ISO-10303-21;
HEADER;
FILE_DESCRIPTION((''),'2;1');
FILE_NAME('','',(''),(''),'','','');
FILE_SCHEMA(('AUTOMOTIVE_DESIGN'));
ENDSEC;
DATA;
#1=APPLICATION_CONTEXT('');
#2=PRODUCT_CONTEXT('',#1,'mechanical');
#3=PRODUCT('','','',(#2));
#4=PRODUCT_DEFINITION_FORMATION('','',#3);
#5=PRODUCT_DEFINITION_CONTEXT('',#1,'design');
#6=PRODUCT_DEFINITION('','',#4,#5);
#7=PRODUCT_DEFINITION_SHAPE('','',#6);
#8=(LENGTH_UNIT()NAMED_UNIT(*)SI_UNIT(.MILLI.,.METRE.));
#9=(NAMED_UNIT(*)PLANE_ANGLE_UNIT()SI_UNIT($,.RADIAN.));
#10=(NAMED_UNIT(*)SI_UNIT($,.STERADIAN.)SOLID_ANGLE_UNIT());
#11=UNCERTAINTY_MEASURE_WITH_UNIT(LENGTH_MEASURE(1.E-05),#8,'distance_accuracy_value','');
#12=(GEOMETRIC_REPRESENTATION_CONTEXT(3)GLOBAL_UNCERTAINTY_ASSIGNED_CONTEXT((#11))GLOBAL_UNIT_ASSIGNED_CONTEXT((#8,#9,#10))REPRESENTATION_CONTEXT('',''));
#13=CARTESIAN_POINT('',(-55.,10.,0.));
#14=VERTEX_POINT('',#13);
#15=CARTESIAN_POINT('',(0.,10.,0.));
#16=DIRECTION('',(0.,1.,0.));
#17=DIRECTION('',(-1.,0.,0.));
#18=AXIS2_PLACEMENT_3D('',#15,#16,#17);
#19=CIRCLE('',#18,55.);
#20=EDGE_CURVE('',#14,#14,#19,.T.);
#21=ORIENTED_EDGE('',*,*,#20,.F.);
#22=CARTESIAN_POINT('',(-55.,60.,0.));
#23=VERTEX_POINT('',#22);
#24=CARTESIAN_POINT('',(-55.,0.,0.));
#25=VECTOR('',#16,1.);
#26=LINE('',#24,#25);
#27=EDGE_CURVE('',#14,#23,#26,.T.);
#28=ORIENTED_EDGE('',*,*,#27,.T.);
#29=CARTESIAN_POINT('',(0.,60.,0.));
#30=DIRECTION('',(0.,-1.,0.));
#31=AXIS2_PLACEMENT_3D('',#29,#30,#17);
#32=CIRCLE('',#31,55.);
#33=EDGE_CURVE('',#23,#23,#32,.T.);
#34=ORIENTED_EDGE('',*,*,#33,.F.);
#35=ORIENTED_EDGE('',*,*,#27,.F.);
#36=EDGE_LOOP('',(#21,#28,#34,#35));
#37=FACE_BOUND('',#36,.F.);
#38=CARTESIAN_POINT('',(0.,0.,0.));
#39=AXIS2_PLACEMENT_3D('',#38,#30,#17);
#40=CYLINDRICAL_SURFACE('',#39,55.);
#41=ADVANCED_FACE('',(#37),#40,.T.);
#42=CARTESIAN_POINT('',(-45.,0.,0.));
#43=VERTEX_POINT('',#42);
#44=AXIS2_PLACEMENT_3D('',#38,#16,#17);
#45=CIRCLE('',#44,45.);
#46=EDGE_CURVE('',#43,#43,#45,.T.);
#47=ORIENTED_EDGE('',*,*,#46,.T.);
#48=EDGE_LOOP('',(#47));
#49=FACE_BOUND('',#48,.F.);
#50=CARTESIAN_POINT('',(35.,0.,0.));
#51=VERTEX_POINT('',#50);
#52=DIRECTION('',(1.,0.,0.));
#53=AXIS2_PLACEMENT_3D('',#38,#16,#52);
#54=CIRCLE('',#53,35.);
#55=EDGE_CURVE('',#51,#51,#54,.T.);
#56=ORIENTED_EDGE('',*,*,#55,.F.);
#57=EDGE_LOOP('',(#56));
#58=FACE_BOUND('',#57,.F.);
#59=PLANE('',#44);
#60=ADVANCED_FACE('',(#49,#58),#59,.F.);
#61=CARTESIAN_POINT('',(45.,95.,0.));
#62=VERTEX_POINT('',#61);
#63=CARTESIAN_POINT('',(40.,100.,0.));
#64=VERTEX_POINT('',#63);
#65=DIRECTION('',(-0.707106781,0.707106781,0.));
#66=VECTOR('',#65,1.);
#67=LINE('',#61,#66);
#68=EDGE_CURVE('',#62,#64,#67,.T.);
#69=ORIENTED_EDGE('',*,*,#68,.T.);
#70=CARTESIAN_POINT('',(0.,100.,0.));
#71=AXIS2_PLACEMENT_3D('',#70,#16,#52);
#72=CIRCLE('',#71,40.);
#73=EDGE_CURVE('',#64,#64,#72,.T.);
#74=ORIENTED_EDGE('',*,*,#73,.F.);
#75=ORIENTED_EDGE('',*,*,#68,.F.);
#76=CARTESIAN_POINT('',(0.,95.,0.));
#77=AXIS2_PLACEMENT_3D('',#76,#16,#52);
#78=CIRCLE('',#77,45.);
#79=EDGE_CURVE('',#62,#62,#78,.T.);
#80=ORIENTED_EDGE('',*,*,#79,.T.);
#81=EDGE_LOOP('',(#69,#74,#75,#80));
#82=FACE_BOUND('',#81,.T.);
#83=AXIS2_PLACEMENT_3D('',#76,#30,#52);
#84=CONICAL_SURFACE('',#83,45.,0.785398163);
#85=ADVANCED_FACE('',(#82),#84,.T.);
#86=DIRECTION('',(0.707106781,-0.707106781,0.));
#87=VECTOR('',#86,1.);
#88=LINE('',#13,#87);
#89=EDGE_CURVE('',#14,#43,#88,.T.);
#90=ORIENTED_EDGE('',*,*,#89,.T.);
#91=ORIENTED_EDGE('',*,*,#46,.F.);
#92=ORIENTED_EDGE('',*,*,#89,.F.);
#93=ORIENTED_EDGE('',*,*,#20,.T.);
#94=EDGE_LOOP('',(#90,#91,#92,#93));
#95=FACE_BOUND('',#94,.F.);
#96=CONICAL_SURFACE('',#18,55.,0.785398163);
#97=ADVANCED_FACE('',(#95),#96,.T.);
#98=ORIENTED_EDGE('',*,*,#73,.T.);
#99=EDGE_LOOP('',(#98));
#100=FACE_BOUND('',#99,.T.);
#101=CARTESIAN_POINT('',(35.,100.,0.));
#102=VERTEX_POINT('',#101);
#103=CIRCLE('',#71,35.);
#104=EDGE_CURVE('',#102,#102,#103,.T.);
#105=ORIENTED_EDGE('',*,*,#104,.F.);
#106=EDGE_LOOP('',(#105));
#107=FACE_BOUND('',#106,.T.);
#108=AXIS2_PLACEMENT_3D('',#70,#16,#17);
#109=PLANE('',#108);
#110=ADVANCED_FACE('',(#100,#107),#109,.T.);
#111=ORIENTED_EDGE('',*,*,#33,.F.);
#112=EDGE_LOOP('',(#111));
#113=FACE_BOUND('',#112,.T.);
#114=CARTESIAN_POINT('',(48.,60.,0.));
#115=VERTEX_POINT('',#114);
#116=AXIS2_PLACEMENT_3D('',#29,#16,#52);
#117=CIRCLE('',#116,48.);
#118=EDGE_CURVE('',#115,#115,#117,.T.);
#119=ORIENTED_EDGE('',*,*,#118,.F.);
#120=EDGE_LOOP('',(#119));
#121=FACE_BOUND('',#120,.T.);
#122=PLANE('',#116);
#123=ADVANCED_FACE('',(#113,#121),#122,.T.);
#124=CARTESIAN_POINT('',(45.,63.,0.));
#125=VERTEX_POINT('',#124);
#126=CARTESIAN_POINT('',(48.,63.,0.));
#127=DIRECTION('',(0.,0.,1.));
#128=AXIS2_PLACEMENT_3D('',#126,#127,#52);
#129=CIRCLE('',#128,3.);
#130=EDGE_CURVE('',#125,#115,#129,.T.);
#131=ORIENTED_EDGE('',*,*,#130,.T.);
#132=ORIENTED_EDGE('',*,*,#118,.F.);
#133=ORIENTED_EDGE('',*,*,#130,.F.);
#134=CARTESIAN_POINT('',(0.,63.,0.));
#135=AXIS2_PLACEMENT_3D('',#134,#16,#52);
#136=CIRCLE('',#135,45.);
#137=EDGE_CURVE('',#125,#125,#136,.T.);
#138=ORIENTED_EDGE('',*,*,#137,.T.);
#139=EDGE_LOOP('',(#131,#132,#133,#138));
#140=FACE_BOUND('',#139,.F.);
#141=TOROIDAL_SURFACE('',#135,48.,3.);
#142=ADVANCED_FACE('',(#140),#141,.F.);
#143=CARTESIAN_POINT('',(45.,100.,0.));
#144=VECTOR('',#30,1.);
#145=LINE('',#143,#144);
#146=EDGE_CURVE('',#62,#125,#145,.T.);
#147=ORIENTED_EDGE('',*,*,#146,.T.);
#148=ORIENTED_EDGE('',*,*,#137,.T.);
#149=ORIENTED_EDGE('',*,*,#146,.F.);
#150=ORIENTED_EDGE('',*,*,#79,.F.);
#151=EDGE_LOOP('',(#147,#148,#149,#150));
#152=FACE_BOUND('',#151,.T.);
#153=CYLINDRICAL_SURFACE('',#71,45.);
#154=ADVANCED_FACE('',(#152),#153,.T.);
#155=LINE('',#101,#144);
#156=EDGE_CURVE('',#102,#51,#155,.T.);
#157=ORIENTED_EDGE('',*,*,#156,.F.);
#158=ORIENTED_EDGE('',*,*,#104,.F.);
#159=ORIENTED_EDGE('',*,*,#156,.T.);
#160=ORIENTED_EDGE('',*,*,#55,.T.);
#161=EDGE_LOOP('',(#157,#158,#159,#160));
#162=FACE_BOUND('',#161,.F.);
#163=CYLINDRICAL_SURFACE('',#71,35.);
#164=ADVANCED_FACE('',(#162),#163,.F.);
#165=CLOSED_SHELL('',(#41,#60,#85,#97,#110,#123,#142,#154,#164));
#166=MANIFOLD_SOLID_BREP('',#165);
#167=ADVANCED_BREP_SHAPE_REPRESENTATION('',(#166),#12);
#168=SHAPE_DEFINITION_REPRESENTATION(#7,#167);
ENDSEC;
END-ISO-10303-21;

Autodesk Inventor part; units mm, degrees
ref_plane "YZ Plane" through (0, 0, 0) normal (1, 0, 0) x (0, 1, 0)
ref_plane "XZ Plane" through (0, 0, 0) normal (0, 1, 0) x (-1, 0, 0)
ref_plane "XY Plane" through (0, 0, 0) normal (0, 0, 1) x (1, 0, 0)
sketch "草图1" plane through (0, 0, 0) normal (0, 1, 0) x (-1, 0, 0)
  circle A0 centre (0, 0) radius 55
  dimension "d0" = 110
extrude "拉伸1" add sketch "草图1" along normal blind 100
sketch "草图2" plane through (0, 100, 0) normal (0, 1, 0) x (1, 0, 0)
  circle A0 centre (0, 0) radius 35
  dimension "d3" = 70
extrude "拉伸2" cut sketch "草图2" against normal blind 100
sketch "草图3" plane through (0, 100, 0) normal (0, 1, 0) x (1, 0, 0)
  circle A0 centre (0, 0) radius 45
  circle A1 centre (0, 0) radius 55
  dimension "d6" = 90
  dimension "d7" = 110
extrude "拉伸3" cut sketch "草图3" against normal blind 40
thread "螺纹1" size "M90x6" class "6g" standard "ANSI Metric M Profile" full length
chamfer "倒角1" distance 10 angle 45 1 edges at (55, 0, 0)
chamfer "倒角2" distance 5 angle 45 1 edges at (-45, 100, 0)
fillet "圆角1" radius 3 1 edges at (-45, 60, 0)
properties part number "液压杆盖" material "不锈钢"
